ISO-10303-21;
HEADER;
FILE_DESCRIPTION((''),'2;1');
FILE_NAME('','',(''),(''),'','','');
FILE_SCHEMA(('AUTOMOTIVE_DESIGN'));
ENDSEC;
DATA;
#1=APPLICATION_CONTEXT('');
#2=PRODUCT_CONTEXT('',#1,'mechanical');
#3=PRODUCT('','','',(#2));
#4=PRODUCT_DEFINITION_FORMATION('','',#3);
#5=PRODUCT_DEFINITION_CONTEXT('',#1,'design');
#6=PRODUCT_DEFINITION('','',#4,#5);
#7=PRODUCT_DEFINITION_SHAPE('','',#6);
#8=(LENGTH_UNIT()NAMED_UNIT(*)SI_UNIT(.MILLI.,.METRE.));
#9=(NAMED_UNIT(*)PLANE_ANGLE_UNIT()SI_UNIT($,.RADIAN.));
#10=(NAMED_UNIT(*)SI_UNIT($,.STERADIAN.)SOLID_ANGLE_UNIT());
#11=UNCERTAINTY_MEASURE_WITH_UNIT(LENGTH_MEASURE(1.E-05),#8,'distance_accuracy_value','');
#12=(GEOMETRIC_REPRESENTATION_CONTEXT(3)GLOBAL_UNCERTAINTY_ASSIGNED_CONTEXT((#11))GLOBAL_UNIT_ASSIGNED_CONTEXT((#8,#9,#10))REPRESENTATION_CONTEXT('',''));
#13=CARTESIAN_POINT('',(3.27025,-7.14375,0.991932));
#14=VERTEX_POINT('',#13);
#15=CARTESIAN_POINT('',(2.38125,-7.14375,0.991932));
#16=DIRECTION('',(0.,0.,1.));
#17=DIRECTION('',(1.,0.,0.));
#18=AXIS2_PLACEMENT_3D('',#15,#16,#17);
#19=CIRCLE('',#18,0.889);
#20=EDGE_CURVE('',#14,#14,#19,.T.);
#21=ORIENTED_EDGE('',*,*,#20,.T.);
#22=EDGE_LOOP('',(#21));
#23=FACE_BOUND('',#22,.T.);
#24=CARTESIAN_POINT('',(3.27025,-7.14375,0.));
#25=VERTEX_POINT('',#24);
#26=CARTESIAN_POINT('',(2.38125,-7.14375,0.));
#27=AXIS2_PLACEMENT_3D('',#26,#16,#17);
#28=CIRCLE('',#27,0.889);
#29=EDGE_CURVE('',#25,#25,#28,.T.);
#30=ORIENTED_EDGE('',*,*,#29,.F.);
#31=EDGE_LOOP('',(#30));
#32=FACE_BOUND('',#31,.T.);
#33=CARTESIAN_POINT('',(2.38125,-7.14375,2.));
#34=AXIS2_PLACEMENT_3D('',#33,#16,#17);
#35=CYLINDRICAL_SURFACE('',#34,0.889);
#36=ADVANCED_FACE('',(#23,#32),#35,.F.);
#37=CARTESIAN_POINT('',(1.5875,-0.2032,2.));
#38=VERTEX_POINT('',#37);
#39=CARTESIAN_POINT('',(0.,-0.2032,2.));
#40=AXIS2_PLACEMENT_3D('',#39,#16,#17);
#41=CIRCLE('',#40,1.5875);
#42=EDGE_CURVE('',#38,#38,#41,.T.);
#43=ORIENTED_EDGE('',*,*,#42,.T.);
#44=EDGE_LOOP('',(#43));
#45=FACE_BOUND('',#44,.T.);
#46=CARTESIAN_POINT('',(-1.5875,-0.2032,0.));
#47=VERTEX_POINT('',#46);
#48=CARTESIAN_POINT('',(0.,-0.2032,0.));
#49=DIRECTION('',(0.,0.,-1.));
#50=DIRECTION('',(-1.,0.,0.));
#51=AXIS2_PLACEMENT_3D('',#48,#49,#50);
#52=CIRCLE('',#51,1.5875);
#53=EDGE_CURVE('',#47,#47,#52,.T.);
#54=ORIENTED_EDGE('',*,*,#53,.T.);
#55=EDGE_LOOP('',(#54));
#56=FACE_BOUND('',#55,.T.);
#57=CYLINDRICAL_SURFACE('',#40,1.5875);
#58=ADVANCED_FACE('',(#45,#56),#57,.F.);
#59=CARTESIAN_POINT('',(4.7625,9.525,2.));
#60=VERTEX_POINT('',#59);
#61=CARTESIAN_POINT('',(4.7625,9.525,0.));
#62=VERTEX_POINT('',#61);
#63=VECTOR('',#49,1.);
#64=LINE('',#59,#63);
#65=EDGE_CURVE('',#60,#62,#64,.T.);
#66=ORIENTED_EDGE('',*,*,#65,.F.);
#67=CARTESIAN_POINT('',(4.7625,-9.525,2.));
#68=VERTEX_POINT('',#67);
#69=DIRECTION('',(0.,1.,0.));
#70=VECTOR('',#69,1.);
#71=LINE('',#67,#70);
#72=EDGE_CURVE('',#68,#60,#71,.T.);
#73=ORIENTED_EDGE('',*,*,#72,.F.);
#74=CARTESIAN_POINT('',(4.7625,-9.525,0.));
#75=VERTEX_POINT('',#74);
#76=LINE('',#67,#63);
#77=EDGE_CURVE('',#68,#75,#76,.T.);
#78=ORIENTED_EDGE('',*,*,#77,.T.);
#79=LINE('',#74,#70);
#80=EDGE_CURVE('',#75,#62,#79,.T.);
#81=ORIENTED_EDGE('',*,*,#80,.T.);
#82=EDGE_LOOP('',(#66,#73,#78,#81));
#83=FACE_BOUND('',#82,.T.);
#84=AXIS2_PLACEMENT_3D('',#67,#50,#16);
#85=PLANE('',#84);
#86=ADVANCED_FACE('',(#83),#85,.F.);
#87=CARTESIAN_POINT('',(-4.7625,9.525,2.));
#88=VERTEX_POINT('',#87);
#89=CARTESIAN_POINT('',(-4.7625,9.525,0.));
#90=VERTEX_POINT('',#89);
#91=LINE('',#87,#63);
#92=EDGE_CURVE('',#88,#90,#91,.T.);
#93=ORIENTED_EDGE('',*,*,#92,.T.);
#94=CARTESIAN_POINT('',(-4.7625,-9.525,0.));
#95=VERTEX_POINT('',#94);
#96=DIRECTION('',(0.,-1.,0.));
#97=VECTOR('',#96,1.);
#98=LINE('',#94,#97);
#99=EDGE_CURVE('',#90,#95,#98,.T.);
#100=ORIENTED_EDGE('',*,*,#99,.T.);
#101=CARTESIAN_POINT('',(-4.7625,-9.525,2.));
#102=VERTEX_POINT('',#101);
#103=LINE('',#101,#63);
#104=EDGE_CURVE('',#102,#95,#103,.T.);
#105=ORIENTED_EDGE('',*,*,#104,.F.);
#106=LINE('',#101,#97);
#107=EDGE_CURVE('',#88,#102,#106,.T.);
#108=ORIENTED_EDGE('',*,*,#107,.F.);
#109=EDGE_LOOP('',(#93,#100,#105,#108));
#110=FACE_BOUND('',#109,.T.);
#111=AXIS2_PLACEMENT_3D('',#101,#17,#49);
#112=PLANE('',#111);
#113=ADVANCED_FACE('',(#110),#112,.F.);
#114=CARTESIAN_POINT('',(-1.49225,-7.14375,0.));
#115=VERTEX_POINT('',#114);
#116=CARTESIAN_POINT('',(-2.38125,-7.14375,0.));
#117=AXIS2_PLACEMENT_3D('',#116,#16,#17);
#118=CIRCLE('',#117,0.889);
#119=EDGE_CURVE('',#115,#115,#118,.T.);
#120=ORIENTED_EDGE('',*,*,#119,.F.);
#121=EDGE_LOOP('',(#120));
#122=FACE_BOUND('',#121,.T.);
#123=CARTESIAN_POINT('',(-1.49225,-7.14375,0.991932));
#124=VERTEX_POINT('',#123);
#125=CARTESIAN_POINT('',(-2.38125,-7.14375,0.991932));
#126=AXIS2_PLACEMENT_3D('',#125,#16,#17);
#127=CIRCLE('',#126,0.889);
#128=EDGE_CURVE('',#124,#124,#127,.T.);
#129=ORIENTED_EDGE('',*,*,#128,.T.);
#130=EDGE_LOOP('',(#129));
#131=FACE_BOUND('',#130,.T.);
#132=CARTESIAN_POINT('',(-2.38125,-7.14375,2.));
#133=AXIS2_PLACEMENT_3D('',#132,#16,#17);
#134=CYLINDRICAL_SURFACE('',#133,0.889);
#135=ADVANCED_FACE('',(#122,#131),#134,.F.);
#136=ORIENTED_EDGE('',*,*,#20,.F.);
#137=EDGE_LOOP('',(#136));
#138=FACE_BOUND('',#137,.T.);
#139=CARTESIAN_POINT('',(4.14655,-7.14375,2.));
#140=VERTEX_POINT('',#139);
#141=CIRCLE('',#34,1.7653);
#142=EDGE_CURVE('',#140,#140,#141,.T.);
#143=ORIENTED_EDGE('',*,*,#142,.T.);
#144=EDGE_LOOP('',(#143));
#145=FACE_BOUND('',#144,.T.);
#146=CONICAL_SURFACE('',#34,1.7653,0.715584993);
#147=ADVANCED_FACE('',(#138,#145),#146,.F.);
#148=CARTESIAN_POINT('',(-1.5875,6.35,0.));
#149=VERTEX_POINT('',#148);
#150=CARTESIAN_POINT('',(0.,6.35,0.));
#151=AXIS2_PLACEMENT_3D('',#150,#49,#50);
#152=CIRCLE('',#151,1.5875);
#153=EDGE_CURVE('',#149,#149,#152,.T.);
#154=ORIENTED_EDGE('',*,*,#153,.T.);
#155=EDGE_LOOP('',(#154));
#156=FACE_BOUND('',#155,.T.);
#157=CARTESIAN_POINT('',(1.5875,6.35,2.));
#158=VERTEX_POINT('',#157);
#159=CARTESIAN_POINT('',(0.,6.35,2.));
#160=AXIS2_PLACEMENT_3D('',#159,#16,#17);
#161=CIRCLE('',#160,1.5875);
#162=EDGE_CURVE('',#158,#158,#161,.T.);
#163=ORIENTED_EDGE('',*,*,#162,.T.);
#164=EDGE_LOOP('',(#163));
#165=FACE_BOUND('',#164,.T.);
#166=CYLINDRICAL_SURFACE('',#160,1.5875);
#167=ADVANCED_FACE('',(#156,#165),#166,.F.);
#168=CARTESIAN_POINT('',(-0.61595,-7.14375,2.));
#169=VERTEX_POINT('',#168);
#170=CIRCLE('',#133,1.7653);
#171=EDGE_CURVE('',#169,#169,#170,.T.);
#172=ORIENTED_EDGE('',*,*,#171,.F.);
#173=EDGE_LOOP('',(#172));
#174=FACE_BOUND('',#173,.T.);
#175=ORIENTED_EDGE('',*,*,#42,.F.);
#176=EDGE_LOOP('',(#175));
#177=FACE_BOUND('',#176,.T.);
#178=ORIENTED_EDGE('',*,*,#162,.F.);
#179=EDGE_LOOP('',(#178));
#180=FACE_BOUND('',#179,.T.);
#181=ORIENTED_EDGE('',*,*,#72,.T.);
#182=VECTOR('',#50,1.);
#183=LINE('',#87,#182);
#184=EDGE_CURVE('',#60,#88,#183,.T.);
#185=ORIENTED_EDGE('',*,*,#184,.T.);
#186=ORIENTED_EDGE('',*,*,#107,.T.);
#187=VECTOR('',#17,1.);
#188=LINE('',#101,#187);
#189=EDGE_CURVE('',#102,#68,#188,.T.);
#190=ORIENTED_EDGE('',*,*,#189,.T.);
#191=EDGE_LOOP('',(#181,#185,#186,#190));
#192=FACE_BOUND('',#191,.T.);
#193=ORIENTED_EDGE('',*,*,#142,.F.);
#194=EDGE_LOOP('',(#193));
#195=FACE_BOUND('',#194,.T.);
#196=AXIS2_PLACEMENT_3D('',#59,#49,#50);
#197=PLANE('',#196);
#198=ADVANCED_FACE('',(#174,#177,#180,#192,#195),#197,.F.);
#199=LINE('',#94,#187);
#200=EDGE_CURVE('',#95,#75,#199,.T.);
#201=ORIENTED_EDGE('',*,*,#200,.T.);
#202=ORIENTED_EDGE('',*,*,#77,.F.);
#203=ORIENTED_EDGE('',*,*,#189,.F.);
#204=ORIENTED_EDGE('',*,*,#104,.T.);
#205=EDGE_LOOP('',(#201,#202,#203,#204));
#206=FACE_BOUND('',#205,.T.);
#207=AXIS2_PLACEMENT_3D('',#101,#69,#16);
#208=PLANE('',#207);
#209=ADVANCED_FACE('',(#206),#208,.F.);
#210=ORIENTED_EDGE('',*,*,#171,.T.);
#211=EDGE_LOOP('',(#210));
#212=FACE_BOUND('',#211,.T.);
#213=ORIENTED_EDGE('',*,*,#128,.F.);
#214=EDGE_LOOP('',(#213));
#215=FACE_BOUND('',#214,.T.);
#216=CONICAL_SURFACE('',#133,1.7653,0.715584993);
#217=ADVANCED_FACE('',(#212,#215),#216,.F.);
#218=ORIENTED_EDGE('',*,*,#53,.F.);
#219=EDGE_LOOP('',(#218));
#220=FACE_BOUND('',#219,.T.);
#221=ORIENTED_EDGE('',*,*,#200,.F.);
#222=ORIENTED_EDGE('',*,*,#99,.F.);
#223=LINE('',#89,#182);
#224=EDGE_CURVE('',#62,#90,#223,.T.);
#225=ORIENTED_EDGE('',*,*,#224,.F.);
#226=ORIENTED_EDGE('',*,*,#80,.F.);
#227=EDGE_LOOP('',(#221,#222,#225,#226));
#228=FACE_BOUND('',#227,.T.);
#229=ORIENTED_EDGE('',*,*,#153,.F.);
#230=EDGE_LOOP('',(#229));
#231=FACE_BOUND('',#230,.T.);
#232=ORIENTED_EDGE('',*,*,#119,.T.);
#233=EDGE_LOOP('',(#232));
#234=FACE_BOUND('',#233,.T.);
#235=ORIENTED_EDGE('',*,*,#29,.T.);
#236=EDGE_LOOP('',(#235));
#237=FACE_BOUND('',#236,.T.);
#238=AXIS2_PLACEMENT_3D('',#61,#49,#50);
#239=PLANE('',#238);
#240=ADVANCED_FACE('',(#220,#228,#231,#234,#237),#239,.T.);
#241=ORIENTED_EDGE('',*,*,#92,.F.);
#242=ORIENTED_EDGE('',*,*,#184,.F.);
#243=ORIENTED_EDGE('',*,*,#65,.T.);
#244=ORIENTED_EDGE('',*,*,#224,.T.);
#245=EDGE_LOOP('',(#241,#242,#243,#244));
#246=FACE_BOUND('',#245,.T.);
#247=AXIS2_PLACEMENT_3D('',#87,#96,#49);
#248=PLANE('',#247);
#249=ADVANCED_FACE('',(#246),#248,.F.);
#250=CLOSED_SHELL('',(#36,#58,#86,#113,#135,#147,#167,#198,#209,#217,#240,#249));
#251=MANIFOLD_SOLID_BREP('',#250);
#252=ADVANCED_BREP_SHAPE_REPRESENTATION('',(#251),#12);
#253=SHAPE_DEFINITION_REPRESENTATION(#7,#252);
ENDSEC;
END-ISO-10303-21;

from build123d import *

# Parameters (mm, degrees)
SKETCH1_W                                 = 9.525
SKETCH1_H                                 = 19.05
BOSS_EXTRUDE1_DEPTH                       = 2
CSK_FOR_0_FLAT_HEAD_MACHINE_SCREW_2_COUNT = 2
CSK_FOR_0_FLAT_HEAD_MACHINE_SCREW_2_PITCH = 4.7625
F_1_8_0_125_DIAMETER_HOLE1_D              = 3.175
F_1_8_0_125_DIAMETER_HOLE1_DEPTH          = 4.064
F_1_8_0_125_DIAMETER_HOLE1_TIP            = 0.953866233


with BuildPart() as part:
    # Sketch1 → Boss-Extrude1 (new body)
    with BuildSketch(Plane.XY):
        Rectangle(SKETCH1_W, SKETCH1_H)
    extrude(amount=BOSS_EXTRUDE1_DEPTH)

    # Sketch2 → CSK for #0 Flat Head Machine Screw (100)1 (revolve, cut)
    with BuildSketch(Plane(origin=(-2.38125, -7.14375, 2), x_dir=(0, -1, 0), z_dir=(1, 0, 0))):
        Polygon((0, 0), (0, 2), (0.889, 2), (0.889, 1.008067835), (1.7653, 0), align=None)
    csk_for_0_flat_head_machine_screw_100 = revolve(axis=Axis((-2.38125, -7.14375, 8.35), (0, 0, -1)), mode=Mode.SUBTRACT)

    # CSK for _0 Flat Head Machine Screw _ 2: CSK for #0 Flat Head Machine Screw (100)1 ×2
    with Locations(*[(i * CSK_FOR_0_FLAT_HEAD_MACHINE_SCREW_2_PITCH, 0, 0) for i in range(1, CSK_FOR_0_FLAT_HEAD_MACHINE_SCREW_2_COUNT)]):
        add(csk_for_0_flat_head_machine_screw_100, mode=Mode.SUBTRACT)

    # 1/8 (0.125) Diameter Hole1
    with Locations(Plane.XY.offset(2)):
        with Locations((0, 6.35), (0, -0.2032)):
            Hole(F_1_8_0_125_DIAMETER_HOLE1_D / 2, depth=F_1_8_0_125_DIAMETER_HOLE1_DEPTH)
            with Locations((0, 0, -(F_1_8_0_125_DIAMETER_HOLE1_DEPTH + F_1_8_0_125_DIAMETER_HOLE1_TIP / 2))):  # 118° drill point
                Cone(0, F_1_8_0_125_DIAMETER_HOLE1_D / 2, F_1_8_0_125_DIAMETER_HOLE1_TIP, mode=Mode.SUBTRACT)


solid = part.part
